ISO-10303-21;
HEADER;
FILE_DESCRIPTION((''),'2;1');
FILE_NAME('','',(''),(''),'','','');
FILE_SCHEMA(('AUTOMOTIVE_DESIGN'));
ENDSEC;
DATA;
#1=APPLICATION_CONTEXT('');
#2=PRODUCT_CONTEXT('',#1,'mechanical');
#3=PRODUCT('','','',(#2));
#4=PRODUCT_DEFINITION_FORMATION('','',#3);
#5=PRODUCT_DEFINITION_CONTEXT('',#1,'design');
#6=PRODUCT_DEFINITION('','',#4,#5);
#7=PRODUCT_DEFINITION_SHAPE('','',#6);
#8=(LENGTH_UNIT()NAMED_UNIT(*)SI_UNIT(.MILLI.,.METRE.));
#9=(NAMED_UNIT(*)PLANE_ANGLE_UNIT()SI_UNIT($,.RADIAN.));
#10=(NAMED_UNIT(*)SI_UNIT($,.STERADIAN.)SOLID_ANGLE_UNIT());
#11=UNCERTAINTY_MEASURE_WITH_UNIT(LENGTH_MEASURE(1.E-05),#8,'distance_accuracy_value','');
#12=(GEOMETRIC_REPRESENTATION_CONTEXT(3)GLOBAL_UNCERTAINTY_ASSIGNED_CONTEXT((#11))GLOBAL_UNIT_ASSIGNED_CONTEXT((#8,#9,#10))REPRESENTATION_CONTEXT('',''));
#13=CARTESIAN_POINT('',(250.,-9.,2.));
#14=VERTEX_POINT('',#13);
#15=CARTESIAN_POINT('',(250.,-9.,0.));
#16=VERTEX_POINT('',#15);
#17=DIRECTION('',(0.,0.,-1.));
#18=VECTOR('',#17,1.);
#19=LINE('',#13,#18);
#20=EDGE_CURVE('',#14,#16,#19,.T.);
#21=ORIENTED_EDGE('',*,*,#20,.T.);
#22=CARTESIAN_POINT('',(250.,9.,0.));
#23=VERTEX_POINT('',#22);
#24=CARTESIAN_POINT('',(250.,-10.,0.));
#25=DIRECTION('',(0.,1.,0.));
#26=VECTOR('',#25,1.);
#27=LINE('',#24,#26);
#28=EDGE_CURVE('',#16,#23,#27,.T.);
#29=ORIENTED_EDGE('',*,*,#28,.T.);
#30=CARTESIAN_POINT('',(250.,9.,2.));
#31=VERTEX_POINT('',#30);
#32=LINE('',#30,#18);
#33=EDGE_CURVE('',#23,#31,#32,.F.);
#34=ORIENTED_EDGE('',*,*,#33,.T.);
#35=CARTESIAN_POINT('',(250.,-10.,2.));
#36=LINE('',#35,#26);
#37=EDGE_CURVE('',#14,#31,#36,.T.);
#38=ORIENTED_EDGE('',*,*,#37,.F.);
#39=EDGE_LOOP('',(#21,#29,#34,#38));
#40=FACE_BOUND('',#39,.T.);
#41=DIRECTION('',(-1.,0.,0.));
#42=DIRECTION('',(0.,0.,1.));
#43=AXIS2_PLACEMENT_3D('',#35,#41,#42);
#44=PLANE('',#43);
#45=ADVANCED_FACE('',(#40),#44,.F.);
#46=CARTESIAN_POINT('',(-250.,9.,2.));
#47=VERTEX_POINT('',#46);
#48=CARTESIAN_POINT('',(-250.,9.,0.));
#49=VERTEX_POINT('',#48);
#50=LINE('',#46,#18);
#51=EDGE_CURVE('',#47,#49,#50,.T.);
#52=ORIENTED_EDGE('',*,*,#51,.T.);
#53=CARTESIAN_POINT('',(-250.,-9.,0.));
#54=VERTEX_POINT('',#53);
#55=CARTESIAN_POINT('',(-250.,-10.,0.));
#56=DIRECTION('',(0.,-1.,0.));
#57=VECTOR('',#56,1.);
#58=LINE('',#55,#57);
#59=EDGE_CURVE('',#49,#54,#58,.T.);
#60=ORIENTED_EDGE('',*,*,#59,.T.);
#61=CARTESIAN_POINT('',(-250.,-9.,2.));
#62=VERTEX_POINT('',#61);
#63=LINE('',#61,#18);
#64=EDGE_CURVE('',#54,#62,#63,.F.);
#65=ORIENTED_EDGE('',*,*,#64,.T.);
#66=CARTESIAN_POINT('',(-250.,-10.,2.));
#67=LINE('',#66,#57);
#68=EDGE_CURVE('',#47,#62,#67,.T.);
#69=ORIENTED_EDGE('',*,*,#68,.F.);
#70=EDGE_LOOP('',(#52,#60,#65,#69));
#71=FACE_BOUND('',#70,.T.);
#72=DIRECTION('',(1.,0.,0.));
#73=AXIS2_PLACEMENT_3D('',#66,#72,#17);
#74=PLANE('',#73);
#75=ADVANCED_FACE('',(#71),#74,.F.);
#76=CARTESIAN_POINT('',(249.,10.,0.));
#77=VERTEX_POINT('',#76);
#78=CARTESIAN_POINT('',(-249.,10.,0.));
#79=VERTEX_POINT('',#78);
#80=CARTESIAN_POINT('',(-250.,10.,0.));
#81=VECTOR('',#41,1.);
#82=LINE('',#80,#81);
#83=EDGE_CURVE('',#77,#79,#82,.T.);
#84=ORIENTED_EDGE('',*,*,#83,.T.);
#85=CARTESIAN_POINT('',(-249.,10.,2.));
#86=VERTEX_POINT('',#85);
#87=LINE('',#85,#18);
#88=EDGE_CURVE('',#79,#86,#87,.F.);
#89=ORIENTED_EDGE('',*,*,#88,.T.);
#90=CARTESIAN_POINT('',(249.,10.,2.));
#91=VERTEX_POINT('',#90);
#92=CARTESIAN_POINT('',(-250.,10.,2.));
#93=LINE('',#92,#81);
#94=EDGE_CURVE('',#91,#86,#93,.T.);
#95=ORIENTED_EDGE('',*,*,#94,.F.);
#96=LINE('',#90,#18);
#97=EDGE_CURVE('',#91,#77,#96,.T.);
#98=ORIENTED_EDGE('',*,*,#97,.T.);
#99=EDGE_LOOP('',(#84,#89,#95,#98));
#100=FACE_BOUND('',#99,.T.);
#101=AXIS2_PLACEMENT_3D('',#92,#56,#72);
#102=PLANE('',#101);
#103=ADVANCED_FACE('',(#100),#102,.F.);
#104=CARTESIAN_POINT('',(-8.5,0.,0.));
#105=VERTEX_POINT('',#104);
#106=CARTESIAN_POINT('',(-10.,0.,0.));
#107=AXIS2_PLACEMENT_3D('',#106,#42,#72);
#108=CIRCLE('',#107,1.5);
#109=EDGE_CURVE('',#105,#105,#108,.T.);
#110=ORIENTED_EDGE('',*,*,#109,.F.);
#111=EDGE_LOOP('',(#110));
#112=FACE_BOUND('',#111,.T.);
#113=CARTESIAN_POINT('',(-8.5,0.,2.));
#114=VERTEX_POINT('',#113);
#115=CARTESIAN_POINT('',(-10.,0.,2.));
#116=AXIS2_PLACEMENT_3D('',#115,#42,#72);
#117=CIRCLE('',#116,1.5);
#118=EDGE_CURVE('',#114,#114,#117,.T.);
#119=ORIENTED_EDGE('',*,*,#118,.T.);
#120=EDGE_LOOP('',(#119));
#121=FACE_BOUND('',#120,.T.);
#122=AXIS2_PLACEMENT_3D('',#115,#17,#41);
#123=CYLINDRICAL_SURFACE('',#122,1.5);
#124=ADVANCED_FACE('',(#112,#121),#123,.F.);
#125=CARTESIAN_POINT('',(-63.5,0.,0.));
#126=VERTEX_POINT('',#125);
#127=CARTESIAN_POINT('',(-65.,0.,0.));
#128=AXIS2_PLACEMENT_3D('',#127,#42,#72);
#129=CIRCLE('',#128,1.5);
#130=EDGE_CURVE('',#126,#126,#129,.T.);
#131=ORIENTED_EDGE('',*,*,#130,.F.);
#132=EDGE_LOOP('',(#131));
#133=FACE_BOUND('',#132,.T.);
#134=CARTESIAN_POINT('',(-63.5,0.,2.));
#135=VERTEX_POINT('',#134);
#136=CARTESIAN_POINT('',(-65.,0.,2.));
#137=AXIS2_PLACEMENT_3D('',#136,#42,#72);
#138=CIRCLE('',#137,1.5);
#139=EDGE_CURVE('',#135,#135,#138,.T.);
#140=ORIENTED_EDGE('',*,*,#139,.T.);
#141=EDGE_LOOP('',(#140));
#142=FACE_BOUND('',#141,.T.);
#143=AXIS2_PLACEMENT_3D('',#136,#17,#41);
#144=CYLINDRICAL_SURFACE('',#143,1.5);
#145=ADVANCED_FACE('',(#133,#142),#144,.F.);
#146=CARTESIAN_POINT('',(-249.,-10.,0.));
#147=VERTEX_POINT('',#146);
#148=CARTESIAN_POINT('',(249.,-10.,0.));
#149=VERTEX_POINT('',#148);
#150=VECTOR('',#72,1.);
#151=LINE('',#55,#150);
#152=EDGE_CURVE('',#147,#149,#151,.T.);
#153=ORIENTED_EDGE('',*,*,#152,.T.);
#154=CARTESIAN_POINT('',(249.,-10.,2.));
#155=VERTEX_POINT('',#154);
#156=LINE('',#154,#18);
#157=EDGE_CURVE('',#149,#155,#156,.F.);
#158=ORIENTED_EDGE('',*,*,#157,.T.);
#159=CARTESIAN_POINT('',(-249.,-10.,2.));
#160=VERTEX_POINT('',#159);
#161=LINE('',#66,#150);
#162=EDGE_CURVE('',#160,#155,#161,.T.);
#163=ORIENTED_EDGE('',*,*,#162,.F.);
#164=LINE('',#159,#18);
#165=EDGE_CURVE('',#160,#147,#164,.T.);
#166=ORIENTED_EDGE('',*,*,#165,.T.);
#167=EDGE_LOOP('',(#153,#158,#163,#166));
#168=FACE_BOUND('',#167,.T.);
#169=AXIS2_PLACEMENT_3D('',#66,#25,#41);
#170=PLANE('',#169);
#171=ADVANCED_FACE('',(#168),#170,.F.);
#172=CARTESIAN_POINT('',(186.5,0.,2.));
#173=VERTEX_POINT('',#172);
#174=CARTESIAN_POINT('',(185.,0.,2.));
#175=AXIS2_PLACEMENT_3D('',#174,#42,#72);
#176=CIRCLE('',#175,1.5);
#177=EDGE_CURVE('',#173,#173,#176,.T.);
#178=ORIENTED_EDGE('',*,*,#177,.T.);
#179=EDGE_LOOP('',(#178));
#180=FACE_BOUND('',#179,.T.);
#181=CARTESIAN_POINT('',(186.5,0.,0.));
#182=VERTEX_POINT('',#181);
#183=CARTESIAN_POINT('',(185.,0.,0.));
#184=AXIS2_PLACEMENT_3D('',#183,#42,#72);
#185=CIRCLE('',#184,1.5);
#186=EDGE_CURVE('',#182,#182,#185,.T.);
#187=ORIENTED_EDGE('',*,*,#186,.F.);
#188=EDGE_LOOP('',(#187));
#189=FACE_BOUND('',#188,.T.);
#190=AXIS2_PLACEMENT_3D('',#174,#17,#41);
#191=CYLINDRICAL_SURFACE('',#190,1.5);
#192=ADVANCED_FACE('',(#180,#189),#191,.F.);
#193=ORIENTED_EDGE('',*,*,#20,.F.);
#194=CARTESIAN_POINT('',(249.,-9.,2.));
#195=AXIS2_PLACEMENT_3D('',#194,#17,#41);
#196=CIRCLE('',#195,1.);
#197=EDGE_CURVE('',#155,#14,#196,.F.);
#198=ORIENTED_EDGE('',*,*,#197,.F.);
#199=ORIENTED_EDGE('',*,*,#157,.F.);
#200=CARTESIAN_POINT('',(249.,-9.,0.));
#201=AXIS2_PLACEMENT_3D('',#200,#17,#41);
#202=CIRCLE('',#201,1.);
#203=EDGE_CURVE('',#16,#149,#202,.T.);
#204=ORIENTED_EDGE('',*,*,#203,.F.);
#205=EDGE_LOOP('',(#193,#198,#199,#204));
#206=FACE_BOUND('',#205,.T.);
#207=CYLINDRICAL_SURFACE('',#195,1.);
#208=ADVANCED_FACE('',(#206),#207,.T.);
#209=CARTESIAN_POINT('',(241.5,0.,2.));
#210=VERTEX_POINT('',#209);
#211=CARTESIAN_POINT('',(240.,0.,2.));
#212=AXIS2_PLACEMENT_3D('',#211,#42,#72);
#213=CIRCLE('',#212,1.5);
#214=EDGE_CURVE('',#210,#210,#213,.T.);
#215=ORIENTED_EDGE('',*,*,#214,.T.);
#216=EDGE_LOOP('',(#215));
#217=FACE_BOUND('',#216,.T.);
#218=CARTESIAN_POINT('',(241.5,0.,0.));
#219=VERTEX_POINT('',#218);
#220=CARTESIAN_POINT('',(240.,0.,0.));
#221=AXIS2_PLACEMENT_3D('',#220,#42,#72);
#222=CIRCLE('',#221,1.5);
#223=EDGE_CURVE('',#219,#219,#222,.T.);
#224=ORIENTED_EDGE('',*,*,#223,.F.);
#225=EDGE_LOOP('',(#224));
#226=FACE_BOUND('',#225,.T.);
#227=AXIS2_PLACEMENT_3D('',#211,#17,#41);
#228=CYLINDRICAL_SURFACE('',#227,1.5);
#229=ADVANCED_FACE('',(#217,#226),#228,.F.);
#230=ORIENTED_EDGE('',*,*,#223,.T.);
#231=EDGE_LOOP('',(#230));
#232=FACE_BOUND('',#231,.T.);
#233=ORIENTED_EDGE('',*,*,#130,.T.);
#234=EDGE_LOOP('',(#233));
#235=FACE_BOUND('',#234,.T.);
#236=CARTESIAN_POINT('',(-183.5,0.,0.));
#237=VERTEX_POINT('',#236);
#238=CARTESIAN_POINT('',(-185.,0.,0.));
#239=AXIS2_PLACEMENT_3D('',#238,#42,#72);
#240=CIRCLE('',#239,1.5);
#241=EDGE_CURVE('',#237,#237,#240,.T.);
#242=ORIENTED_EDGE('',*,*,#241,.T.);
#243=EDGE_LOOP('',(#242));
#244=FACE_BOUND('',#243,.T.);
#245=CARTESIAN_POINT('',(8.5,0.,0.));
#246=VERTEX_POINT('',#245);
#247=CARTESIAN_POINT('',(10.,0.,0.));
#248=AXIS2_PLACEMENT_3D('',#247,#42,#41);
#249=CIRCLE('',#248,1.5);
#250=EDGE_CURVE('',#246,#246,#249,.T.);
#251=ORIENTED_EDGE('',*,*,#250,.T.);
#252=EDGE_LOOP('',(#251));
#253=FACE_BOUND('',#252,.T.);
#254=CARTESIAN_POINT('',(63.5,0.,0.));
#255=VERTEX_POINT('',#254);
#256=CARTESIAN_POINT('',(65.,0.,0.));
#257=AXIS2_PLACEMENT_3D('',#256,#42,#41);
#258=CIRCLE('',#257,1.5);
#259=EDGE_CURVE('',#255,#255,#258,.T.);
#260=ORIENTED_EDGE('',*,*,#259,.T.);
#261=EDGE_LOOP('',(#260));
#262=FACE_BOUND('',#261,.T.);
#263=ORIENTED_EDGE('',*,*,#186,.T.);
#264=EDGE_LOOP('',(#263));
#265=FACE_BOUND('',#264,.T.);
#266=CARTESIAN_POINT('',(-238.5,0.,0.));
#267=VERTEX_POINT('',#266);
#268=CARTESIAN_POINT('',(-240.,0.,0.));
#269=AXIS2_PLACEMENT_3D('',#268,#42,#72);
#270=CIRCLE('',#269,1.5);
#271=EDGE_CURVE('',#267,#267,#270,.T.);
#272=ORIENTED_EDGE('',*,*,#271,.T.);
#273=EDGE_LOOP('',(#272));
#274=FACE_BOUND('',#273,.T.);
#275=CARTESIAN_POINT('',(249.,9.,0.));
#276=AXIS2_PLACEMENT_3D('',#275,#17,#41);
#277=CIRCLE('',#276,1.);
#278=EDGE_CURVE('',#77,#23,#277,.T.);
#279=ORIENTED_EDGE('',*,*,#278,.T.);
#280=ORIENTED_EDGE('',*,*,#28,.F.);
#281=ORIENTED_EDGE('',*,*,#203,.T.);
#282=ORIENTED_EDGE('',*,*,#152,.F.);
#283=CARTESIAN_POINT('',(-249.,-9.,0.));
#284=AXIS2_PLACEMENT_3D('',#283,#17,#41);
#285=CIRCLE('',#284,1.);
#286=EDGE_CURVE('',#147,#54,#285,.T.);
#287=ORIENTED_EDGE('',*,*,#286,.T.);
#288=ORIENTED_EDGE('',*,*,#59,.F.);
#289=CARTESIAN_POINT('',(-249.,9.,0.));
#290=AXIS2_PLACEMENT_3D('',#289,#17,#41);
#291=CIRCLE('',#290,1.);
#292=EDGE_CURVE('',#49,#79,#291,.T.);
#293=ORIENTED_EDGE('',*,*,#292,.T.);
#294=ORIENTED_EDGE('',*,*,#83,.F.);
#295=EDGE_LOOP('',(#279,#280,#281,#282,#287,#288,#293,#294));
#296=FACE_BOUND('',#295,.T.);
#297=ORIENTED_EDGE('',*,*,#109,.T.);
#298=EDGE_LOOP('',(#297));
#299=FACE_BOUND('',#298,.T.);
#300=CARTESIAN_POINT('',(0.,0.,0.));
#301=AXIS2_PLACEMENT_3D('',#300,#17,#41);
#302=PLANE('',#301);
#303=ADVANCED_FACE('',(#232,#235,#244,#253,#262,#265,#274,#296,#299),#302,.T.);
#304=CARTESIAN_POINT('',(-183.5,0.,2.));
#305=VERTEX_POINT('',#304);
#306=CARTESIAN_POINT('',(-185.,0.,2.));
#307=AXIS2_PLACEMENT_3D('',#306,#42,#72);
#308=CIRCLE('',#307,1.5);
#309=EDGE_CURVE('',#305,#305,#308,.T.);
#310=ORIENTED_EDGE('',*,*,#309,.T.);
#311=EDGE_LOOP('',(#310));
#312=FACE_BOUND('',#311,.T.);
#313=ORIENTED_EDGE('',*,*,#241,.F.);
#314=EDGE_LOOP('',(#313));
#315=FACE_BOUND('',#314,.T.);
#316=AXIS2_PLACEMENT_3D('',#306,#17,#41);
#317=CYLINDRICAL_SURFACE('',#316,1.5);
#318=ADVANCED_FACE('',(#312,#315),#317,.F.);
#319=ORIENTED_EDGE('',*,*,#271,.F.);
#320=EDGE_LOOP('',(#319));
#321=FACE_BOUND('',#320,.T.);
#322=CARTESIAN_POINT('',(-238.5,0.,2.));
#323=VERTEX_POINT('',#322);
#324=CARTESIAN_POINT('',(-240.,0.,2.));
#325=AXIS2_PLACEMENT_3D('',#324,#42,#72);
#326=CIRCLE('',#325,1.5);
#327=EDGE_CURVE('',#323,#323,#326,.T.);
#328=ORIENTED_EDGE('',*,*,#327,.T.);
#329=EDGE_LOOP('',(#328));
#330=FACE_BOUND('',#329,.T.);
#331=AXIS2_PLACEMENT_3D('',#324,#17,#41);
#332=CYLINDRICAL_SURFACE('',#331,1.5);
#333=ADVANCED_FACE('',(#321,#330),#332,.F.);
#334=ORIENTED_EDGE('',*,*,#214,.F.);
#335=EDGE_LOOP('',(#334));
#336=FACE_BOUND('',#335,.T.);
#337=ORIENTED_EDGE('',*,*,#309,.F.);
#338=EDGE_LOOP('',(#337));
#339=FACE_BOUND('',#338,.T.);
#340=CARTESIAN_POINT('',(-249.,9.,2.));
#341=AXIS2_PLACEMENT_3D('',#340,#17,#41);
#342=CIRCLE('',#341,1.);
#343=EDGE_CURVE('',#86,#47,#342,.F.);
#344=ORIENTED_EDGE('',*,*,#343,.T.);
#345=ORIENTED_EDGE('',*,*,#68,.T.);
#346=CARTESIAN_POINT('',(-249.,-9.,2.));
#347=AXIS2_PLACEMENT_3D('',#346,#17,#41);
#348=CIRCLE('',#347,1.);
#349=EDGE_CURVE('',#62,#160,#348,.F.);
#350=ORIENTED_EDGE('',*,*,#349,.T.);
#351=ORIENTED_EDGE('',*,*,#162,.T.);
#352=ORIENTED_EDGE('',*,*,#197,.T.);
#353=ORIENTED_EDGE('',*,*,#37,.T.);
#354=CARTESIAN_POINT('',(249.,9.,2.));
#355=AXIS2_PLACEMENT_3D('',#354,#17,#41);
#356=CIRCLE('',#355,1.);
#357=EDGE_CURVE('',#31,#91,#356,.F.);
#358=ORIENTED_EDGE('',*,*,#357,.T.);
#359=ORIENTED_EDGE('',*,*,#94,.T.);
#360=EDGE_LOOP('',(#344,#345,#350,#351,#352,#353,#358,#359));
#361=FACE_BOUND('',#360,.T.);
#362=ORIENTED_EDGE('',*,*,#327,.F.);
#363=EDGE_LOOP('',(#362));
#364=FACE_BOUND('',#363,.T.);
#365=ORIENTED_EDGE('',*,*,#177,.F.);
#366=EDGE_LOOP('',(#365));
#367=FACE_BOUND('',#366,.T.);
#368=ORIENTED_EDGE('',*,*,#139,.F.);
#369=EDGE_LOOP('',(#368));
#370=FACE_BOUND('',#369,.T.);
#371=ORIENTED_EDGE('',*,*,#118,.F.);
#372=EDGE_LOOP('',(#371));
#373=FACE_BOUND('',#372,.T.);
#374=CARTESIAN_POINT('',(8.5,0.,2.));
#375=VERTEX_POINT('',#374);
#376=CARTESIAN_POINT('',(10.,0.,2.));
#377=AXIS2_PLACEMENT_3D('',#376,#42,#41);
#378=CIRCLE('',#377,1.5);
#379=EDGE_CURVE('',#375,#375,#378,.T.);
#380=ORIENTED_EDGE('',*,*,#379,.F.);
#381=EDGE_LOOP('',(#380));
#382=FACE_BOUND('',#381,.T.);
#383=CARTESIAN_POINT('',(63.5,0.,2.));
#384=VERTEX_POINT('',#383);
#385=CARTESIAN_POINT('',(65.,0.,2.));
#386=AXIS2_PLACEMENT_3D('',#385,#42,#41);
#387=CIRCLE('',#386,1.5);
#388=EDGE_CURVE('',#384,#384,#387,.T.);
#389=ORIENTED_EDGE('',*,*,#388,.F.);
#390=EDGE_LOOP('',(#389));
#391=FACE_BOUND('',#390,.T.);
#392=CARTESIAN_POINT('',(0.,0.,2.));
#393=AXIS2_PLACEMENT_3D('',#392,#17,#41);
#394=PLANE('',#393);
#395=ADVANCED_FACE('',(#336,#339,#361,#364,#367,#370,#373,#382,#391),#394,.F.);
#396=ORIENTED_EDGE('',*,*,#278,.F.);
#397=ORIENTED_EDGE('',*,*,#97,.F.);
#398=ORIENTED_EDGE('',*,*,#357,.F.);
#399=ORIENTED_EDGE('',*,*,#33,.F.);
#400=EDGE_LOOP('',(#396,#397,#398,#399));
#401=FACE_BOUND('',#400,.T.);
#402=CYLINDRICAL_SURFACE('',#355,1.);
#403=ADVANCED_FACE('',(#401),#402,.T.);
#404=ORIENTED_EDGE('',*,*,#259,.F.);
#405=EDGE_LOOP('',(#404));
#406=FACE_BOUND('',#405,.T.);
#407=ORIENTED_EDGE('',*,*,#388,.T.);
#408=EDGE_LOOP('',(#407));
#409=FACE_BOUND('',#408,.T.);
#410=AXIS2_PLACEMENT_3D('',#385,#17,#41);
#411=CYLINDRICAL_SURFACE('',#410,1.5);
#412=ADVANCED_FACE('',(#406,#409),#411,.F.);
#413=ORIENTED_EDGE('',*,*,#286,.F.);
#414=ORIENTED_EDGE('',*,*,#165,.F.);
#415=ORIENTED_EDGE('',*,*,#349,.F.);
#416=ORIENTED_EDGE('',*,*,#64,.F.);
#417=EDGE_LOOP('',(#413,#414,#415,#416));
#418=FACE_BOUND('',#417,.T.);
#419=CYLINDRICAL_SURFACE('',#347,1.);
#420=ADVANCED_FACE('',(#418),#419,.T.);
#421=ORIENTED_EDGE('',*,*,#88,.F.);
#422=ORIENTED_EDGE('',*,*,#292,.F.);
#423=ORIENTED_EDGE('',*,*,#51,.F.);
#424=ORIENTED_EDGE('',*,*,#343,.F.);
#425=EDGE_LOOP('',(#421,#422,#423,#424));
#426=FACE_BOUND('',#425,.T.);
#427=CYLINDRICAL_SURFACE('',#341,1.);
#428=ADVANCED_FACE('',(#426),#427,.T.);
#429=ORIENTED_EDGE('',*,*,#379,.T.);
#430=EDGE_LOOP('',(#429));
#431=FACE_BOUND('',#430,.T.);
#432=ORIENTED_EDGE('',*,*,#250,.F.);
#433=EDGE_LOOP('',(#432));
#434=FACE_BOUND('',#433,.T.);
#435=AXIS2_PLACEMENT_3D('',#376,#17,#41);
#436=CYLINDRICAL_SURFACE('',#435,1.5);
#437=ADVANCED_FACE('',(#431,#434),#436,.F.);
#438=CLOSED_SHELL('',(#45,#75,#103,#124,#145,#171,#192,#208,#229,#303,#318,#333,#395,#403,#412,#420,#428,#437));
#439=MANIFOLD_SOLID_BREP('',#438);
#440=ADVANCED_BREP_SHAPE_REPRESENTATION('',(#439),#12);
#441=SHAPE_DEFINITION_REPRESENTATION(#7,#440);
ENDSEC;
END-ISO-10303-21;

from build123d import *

# Parameters (mm, degrees)
SKETCH_1_W      = 500
SKETCH_1_H      = 20
SKETCH_1_R      = 1.5
EXTRUDE_1_DEPTH = 2
FILLET_1_R      = 1


with BuildPart() as part:
    # 草图1 → 凸台-拉伸1 (new body)
    with BuildSketch(Plane.XY):
        Rectangle(SKETCH_1_W, SKETCH_1_H)
        with Locations((240, 0)):
            Circle(SKETCH_1_R, mode=Mode.SUBTRACT)
        with Locations((185, 0)):
            Circle(SKETCH_1_R, mode=Mode.SUBTRACT)
        with Locations((-240, 0)):
            Circle(SKETCH_1_R, mode=Mode.SUBTRACT)
        with Locations((-185, 0)):
            Circle(SKETCH_1_R, mode=Mode.SUBTRACT)
        with Locations((-10, 0)):
            Circle(SKETCH_1_R, mode=Mode.SUBTRACT)
        with Locations((-65, 0)):
            Circle(SKETCH_1_R, mode=Mode.SUBTRACT)
        with Locations(Location((10, 0, 0), (0, 0, 180))):
            Circle(SKETCH_1_R, mode=Mode.SUBTRACT)
        with Locations(Location((65, 0, 0), (0, 0, 180))):
            Circle(SKETCH_1_R, mode=Mode.SUBTRACT)
    extrude(amount=EXTRUDE_1_DEPTH)

    # 圆角1
    fillet_1_edges = [part.edges().sort_by_distance(p)[0] for p in [
        (250, -10, 1),
        (-250, -10, 1),
        (-250, 10, 1),
        (250, 10, 1),
    ]]
    fillet(fillet_1_edges, radius=FILLET_1_R)


solid = part.part
